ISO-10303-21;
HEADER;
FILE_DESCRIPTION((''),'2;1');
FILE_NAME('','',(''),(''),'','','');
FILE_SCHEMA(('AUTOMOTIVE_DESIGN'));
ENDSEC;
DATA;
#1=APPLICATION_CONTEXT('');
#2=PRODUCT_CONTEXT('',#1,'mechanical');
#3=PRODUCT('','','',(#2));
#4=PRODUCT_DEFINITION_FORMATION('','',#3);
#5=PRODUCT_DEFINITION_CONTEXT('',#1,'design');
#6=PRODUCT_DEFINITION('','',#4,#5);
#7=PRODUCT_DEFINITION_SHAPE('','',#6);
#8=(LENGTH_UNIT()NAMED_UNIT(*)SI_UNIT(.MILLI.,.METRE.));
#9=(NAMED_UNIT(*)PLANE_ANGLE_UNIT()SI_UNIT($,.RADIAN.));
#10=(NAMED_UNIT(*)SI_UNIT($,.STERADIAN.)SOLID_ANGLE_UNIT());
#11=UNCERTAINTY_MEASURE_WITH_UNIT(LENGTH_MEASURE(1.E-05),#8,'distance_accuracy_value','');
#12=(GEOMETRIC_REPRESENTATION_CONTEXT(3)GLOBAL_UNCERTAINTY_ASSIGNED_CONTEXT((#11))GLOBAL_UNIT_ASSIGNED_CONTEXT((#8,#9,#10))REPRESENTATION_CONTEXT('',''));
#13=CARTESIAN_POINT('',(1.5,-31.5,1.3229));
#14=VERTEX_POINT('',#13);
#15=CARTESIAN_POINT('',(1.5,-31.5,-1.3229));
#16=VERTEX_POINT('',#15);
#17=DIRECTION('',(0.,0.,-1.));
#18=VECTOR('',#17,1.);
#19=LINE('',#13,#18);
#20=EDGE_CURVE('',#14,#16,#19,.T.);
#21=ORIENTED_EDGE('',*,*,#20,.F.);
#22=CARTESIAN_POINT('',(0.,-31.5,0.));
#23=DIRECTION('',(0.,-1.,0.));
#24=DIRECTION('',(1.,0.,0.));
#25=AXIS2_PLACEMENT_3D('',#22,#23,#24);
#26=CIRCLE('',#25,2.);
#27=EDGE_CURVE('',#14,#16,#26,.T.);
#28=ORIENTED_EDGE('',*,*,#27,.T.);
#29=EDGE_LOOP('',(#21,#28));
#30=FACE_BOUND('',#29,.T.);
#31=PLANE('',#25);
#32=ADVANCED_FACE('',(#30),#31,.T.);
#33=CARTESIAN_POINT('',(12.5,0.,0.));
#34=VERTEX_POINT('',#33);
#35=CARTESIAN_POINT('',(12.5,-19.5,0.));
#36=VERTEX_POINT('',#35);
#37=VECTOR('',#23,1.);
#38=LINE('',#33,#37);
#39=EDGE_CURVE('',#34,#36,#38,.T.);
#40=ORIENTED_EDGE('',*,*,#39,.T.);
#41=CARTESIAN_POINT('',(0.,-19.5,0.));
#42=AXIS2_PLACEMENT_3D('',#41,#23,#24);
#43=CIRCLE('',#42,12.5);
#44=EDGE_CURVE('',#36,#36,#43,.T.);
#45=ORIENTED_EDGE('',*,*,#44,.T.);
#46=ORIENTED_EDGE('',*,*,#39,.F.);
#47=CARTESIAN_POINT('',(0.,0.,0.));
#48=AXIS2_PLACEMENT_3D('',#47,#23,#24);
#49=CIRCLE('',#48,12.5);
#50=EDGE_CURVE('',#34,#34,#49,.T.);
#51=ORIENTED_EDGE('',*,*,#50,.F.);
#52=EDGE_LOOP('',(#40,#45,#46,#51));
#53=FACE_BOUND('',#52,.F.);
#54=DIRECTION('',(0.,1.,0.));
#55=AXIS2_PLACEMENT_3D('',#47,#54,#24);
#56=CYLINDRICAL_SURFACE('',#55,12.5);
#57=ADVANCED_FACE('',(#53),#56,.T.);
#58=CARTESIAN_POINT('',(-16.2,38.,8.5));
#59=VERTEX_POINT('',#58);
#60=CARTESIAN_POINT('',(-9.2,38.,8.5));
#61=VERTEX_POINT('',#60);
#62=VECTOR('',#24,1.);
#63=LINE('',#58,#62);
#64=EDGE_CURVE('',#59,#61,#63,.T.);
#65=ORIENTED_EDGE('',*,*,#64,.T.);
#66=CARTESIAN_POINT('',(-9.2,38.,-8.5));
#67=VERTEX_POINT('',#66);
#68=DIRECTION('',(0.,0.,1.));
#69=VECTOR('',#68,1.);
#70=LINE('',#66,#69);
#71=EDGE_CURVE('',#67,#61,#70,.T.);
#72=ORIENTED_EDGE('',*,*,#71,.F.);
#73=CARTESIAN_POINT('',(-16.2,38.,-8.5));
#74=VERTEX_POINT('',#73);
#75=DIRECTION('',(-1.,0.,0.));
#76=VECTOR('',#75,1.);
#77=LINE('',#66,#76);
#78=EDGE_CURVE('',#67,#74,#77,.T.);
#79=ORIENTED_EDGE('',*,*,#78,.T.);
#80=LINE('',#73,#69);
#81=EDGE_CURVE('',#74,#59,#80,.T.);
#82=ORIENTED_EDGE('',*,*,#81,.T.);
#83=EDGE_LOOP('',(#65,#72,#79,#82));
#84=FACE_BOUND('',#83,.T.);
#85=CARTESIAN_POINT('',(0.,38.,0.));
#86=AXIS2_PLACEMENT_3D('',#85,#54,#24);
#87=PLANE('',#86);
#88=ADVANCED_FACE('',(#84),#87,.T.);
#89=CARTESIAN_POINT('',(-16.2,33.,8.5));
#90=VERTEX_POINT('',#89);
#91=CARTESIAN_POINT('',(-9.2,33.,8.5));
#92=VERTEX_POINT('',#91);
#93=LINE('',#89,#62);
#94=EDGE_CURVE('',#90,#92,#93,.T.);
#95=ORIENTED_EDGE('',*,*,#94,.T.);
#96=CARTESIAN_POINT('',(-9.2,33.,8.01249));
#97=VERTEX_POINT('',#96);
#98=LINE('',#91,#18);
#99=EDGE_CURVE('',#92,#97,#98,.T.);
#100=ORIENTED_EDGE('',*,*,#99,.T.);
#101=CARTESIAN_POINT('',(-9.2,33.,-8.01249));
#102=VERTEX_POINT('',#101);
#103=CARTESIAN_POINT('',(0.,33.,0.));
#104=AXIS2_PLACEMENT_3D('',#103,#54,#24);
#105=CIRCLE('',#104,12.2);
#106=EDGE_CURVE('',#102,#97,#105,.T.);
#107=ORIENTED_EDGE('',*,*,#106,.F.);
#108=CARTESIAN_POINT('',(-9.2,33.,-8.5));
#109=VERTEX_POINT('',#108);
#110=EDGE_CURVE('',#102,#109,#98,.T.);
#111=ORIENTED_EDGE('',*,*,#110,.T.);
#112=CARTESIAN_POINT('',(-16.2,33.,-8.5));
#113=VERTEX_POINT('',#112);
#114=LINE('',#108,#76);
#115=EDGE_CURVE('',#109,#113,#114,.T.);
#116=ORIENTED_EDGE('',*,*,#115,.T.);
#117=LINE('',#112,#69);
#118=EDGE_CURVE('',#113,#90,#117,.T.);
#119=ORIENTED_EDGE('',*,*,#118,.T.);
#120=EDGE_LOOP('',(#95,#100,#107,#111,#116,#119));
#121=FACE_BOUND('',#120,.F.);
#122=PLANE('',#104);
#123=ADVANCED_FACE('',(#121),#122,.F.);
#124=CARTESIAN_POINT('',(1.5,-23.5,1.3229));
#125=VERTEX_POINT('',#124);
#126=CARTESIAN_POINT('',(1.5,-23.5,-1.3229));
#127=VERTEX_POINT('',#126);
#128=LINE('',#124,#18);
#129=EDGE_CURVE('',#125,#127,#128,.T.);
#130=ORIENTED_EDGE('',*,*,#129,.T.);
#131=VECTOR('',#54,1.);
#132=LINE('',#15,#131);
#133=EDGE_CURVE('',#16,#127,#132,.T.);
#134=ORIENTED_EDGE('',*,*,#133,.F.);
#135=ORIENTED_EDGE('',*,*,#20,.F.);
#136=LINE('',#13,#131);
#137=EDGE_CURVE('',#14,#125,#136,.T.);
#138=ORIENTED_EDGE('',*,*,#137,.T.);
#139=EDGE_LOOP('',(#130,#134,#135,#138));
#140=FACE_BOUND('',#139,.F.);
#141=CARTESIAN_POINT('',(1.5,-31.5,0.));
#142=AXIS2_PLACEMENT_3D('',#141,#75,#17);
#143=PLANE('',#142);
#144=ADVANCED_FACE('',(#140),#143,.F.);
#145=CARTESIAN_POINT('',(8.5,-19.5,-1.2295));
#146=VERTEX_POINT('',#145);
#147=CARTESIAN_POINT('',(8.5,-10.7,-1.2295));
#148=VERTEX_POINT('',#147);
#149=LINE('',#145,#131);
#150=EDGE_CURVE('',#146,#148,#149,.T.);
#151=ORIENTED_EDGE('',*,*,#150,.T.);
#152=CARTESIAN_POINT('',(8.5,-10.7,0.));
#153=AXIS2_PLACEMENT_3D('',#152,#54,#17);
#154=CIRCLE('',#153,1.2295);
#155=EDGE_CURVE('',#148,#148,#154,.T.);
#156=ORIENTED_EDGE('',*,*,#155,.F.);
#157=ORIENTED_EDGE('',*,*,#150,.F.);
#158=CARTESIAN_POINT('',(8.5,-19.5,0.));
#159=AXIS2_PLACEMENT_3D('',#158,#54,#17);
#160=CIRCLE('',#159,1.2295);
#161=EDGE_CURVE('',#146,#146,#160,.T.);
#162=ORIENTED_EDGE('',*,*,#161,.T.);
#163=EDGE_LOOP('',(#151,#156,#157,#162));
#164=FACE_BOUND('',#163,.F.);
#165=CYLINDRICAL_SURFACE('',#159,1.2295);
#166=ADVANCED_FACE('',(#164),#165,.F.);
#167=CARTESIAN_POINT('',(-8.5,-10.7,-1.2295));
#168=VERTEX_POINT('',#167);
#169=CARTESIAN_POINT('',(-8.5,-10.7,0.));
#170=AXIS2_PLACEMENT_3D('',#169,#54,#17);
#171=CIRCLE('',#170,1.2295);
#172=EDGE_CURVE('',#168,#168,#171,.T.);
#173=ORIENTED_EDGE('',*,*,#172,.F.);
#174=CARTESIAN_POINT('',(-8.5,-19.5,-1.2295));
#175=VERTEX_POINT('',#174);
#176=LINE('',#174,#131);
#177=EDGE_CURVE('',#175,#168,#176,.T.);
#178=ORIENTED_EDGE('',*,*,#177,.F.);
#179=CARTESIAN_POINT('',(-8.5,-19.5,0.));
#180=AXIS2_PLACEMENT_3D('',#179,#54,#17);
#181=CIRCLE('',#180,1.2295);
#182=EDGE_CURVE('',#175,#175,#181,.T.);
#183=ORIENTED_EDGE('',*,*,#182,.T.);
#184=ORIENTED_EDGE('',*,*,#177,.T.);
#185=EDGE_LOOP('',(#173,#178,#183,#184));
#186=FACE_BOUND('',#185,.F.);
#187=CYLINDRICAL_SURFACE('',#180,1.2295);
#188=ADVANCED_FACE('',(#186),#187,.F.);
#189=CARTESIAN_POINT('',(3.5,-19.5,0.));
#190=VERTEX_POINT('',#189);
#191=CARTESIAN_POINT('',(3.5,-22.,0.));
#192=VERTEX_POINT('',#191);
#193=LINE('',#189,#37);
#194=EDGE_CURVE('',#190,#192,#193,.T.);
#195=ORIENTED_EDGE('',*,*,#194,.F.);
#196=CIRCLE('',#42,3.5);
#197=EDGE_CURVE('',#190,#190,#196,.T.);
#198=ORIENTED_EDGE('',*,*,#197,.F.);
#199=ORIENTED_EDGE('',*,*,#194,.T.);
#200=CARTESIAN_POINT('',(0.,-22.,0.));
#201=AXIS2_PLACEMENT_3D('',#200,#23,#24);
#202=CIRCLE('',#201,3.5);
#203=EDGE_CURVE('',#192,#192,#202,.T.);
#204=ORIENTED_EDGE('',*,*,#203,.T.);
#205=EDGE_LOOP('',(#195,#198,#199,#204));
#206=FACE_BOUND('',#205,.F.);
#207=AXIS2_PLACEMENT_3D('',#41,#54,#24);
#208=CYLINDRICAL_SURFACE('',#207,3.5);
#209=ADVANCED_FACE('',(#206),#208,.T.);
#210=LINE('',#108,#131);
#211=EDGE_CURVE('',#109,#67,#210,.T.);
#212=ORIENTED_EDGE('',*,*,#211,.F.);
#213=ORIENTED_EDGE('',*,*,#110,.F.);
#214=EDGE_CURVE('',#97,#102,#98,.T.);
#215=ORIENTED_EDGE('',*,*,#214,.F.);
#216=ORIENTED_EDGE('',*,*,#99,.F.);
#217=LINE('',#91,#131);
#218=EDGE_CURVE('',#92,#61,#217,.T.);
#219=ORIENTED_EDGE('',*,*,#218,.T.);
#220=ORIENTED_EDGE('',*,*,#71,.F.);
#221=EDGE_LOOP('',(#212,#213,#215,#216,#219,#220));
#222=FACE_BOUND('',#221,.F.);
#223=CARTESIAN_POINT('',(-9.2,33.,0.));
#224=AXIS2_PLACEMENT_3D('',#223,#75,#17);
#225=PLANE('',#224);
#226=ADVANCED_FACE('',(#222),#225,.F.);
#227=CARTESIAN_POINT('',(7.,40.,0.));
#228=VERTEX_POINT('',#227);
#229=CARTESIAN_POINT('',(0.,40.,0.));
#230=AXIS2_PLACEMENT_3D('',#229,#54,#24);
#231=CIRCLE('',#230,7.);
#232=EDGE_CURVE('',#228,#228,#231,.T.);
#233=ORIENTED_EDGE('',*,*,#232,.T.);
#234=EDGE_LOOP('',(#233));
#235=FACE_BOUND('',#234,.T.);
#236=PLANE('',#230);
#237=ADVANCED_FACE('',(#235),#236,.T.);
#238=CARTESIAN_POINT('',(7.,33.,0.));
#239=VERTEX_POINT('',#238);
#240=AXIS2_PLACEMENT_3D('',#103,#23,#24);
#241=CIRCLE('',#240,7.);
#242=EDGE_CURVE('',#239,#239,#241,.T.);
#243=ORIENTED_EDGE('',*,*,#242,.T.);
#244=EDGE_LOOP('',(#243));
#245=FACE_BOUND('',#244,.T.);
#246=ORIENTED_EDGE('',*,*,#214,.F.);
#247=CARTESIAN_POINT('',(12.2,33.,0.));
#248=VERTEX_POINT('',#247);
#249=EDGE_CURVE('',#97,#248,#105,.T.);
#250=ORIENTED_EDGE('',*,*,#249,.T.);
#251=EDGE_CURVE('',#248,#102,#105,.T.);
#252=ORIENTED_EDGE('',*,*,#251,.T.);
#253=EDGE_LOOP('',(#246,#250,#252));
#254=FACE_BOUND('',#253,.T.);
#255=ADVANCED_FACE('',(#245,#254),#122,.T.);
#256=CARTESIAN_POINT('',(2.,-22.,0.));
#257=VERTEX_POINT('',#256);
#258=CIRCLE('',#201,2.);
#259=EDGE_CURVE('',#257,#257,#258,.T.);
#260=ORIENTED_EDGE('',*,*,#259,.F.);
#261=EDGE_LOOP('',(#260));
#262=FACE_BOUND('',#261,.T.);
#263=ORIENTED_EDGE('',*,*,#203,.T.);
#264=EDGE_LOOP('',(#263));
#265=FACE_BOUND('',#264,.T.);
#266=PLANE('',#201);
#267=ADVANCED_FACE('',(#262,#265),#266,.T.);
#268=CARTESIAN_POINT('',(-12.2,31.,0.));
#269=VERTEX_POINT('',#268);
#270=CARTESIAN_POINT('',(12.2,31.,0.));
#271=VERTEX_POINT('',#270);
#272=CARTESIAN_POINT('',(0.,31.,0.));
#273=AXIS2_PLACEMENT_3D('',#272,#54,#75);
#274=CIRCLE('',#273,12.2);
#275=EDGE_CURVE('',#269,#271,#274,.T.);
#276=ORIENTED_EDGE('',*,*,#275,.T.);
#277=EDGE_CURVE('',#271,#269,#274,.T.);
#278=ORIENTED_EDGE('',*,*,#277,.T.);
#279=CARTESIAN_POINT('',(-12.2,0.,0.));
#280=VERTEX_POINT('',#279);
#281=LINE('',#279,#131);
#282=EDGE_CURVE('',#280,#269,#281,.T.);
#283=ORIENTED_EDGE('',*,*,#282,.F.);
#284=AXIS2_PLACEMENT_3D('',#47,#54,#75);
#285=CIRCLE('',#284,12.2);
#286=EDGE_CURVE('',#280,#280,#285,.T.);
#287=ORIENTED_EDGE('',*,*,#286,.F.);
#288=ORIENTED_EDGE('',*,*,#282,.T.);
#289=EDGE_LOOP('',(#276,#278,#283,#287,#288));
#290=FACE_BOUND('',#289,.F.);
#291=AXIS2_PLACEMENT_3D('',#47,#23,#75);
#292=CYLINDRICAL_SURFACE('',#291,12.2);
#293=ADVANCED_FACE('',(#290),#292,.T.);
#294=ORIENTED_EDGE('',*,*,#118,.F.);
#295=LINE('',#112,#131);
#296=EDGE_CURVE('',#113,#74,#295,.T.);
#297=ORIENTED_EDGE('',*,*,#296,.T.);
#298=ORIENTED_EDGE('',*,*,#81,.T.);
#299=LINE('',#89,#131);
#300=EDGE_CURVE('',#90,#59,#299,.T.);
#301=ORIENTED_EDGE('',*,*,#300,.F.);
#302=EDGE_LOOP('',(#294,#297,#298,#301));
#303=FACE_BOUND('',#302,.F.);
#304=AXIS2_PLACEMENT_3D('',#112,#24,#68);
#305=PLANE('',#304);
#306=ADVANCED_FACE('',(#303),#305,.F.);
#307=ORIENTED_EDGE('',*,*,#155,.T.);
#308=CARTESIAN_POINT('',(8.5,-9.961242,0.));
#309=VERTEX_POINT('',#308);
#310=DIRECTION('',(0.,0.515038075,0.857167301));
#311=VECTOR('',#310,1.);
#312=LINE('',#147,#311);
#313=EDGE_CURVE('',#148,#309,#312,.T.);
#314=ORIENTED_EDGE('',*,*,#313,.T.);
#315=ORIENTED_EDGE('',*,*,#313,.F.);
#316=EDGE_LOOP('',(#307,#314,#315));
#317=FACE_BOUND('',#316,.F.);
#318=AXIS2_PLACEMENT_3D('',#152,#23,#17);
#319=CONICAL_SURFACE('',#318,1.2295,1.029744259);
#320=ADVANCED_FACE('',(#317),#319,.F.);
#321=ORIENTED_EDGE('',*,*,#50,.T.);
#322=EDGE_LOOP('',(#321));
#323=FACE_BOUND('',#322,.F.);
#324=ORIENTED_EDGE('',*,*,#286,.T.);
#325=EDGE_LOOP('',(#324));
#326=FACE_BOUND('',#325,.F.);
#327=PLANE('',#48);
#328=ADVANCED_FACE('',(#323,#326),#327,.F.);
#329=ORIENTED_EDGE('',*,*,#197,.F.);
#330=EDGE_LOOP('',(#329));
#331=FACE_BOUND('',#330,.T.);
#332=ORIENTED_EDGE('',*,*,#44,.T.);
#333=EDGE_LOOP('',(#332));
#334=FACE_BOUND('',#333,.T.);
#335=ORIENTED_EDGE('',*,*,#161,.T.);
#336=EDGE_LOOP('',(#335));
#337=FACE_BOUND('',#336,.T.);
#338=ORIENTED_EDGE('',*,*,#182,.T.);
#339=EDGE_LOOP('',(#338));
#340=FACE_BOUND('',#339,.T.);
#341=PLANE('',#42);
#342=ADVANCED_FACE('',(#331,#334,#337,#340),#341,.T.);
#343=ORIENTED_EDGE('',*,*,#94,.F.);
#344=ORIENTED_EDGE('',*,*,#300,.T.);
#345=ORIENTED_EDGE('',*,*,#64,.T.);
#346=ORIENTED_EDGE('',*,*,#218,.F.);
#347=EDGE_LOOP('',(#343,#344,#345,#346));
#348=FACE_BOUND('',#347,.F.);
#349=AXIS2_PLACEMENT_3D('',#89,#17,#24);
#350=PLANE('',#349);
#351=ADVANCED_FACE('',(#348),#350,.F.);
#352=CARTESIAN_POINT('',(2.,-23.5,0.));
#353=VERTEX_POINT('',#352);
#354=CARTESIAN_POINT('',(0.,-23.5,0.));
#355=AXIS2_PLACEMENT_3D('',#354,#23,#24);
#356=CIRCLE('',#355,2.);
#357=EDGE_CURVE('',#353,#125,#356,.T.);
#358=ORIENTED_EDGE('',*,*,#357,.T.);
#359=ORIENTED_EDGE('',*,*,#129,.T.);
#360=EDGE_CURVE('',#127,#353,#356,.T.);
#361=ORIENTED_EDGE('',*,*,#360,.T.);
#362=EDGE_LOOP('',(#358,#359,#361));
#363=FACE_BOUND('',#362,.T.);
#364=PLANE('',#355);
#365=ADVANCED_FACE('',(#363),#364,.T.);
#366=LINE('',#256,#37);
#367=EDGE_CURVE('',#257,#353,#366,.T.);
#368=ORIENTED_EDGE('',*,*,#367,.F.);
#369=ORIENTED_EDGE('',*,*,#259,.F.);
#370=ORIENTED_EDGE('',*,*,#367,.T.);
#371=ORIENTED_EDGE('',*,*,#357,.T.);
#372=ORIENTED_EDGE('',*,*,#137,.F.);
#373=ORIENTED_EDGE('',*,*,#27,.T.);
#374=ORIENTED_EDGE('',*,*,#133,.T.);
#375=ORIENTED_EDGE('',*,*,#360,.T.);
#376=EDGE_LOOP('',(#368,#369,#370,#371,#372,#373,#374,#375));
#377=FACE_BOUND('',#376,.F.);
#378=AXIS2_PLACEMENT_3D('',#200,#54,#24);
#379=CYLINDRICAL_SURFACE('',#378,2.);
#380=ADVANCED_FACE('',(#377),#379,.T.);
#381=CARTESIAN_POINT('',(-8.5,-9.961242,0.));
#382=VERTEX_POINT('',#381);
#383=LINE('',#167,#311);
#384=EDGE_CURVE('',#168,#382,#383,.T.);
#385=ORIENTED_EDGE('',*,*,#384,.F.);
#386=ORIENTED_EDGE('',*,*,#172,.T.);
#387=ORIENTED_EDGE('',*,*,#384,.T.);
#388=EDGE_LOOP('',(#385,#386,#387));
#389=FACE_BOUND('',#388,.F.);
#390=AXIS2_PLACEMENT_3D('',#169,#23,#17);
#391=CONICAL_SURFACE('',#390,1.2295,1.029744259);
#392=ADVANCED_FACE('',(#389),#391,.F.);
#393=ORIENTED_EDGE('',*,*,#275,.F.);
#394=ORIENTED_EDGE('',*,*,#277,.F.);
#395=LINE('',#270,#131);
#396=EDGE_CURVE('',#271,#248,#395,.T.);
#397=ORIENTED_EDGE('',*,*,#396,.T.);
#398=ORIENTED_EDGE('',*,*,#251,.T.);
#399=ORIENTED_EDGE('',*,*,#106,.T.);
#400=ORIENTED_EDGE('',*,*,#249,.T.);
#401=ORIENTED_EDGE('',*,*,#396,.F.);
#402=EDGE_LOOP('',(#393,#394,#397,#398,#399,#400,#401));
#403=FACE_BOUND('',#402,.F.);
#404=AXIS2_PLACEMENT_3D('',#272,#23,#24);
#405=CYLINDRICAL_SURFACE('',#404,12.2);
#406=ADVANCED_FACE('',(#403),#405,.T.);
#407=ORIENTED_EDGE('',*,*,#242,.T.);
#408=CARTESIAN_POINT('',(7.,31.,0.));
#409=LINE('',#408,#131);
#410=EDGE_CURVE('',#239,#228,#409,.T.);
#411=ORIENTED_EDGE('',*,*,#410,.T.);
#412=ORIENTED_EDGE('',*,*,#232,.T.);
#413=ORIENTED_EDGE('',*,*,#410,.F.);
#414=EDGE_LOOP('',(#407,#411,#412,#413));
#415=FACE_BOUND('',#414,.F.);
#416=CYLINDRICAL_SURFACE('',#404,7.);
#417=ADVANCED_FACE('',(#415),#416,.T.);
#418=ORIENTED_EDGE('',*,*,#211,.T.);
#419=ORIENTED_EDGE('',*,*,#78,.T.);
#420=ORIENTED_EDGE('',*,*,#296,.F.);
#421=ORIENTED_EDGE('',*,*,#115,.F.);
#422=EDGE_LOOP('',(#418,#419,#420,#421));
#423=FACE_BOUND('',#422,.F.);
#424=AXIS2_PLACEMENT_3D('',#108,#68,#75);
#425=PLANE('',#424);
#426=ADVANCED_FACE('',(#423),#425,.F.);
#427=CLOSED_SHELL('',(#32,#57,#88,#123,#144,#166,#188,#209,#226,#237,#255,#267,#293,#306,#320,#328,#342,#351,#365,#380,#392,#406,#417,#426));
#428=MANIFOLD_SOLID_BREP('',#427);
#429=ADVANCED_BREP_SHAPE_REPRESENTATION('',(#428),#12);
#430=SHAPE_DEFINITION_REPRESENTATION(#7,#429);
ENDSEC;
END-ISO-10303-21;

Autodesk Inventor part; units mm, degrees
ref_plane "YZ Plane" through (0, 0, 0) normal (1, 0, 0) x (0, 1, 0)
ref_plane "XZ Plane" through (0, 0, 0) normal (0, 1, 0) x (-1, 0, 0)
ref_plane "XY Plane" through (0, 0, 0) normal (0, 0, 1) x (1, 0, 0)
sketch "Schizzo1" plane through (0, 0, 0) normal (0, 1, 0) x (-1, 0, 0)
  circle A0 centre (0, 0) radius 12.2
  dimension "d0" = 24.4
extrude "Estrusione1" add sketch "Schizzo1" along normal blind 31
sketch "Schizzo2" plane through (0, 0, 0) normal (0, -1, 0) x (1, 0, 0)
  circle A0 centre (0, 0) radius 12.5
  dimension "d3" = 25
extrude "Estrusione2" add sketch "Schizzo2" along normal blind 19.5
sketch "Schizzo3" plane through (0, -19.5, 0) normal (0, -1, 0) x (1, 0, 0)
  circle A0 centre (0, 0) radius 12.2 projected
  circle A1 centre (0, 0) radius 3.5
  dimension "d6" = 7
extrude "Estrusione3" add sketch "Schizzo3" along normal blind 2.5 contours A1
sketch "Schizzo4" plane through (0, -22, 0) normal (0, -1, 0) x (1, 0, 0)
  circle A0 centre (0, 0) radius 2
  dimension "d9" = 4
extrude "Estrusione4" add sketch "Schizzo4" along normal blind 9.5
sketch "Schizzo5" plane through (0, -31.5, 0) normal (0, -1, 0) x (1, 0, 0)
  circle A0 centre (0, 0) radius 2 projected
  line L0 (-2, 0) -> (1.5, 0)
  line L1 (1.5, 0) -> (1.5, -1.3229)
  line L2 (1.5, 0) -> (1.5, 1.3229)
  dimension "d12" = 3.5
extrude "Estrusione5" cut sketch "Schizzo5" against normal blind 8 contours A0 L1 L2
sketch "Schizzo6" plane through (0, -19.5, 0) normal (0, -1, 0) x (1, 0, 0)
  line L0 (0, 0) -> (8.5, 0)
  circle A0 centre (8.5, 0) radius 1.5
  line L1 (8.5, 0) -> (-8.5, 0)
  line L2 (8.5, 0) -> (25.5, 0) construction
  circle A1 centre (-8.5, 0) radius 1.5
  dimension "d15" = 8.5
  dimension "d16" = 3
  dimension "d17" = 17
  dimension "d18" = 180
  dimension "d19" = 3
hole "Foro1" at (8.5, -19.5, 0) at (-8.5, -19.5, 0) direction (0, 1, 0) diameter 2.459 depth 8.8 tip angle 118 thread size "M3x0.5" class "6H" standard "ANSI Metric M Profile"
sketch "Schizzo7" plane through (0, 31, 0) normal (0, 1, 0) x (1, 0, 0)
  point P0 (0, 0)
sketch "Schizzo8" plane through (0, 31, 0) normal (0, 1, 0) x (1, 0, 0)
  circle A0 centre (0, 0) radius 7
  dimension "d30" = 14
extrude "Estrusione6" add sketch "Schizzo8" along normal blind 9 from surface at 0
sketch "Schizzo9" plane through (0, 31, 0) normal (0, 1, 0) x (1, 0, 0)
  circle A0 centre (0, 0) radius 12.2
  dimension "d31" = 24.4
extrude "Estrusione7" add sketch "Schizzo9" along normal blind 2
sketch "Schizzo10" plane through (0, 33, 0) normal (0, 1, 0) x (1, 0, 0)
  circle A0 centre (0, 0) radius 12.2 projected
  line L0 (-12.2, 0) -> (-9.2, 0)
  line L1 (-9.2, 8.5) -> (-16.2, 8.5)
  line L2 (-16.2, 8.5) -> (-16.2, -8.5)
  line L3 (-16.2, -8.5) -> (-9.2, -8.5)
  line L4 (-9.2, -8.5) -> (-9.2, 8.5)
  dimension "d34" = 3
  dimension "d35" = 17
  dimension "d36" = 7
extrude "Estrusione8" add sketch "Schizzo10" along normal blind 5 contours L4 L0 A0 | A0 L4 L3 L2 L1 | A0 L0 L4
properties part number "7_Motore" material "M.Motore"
